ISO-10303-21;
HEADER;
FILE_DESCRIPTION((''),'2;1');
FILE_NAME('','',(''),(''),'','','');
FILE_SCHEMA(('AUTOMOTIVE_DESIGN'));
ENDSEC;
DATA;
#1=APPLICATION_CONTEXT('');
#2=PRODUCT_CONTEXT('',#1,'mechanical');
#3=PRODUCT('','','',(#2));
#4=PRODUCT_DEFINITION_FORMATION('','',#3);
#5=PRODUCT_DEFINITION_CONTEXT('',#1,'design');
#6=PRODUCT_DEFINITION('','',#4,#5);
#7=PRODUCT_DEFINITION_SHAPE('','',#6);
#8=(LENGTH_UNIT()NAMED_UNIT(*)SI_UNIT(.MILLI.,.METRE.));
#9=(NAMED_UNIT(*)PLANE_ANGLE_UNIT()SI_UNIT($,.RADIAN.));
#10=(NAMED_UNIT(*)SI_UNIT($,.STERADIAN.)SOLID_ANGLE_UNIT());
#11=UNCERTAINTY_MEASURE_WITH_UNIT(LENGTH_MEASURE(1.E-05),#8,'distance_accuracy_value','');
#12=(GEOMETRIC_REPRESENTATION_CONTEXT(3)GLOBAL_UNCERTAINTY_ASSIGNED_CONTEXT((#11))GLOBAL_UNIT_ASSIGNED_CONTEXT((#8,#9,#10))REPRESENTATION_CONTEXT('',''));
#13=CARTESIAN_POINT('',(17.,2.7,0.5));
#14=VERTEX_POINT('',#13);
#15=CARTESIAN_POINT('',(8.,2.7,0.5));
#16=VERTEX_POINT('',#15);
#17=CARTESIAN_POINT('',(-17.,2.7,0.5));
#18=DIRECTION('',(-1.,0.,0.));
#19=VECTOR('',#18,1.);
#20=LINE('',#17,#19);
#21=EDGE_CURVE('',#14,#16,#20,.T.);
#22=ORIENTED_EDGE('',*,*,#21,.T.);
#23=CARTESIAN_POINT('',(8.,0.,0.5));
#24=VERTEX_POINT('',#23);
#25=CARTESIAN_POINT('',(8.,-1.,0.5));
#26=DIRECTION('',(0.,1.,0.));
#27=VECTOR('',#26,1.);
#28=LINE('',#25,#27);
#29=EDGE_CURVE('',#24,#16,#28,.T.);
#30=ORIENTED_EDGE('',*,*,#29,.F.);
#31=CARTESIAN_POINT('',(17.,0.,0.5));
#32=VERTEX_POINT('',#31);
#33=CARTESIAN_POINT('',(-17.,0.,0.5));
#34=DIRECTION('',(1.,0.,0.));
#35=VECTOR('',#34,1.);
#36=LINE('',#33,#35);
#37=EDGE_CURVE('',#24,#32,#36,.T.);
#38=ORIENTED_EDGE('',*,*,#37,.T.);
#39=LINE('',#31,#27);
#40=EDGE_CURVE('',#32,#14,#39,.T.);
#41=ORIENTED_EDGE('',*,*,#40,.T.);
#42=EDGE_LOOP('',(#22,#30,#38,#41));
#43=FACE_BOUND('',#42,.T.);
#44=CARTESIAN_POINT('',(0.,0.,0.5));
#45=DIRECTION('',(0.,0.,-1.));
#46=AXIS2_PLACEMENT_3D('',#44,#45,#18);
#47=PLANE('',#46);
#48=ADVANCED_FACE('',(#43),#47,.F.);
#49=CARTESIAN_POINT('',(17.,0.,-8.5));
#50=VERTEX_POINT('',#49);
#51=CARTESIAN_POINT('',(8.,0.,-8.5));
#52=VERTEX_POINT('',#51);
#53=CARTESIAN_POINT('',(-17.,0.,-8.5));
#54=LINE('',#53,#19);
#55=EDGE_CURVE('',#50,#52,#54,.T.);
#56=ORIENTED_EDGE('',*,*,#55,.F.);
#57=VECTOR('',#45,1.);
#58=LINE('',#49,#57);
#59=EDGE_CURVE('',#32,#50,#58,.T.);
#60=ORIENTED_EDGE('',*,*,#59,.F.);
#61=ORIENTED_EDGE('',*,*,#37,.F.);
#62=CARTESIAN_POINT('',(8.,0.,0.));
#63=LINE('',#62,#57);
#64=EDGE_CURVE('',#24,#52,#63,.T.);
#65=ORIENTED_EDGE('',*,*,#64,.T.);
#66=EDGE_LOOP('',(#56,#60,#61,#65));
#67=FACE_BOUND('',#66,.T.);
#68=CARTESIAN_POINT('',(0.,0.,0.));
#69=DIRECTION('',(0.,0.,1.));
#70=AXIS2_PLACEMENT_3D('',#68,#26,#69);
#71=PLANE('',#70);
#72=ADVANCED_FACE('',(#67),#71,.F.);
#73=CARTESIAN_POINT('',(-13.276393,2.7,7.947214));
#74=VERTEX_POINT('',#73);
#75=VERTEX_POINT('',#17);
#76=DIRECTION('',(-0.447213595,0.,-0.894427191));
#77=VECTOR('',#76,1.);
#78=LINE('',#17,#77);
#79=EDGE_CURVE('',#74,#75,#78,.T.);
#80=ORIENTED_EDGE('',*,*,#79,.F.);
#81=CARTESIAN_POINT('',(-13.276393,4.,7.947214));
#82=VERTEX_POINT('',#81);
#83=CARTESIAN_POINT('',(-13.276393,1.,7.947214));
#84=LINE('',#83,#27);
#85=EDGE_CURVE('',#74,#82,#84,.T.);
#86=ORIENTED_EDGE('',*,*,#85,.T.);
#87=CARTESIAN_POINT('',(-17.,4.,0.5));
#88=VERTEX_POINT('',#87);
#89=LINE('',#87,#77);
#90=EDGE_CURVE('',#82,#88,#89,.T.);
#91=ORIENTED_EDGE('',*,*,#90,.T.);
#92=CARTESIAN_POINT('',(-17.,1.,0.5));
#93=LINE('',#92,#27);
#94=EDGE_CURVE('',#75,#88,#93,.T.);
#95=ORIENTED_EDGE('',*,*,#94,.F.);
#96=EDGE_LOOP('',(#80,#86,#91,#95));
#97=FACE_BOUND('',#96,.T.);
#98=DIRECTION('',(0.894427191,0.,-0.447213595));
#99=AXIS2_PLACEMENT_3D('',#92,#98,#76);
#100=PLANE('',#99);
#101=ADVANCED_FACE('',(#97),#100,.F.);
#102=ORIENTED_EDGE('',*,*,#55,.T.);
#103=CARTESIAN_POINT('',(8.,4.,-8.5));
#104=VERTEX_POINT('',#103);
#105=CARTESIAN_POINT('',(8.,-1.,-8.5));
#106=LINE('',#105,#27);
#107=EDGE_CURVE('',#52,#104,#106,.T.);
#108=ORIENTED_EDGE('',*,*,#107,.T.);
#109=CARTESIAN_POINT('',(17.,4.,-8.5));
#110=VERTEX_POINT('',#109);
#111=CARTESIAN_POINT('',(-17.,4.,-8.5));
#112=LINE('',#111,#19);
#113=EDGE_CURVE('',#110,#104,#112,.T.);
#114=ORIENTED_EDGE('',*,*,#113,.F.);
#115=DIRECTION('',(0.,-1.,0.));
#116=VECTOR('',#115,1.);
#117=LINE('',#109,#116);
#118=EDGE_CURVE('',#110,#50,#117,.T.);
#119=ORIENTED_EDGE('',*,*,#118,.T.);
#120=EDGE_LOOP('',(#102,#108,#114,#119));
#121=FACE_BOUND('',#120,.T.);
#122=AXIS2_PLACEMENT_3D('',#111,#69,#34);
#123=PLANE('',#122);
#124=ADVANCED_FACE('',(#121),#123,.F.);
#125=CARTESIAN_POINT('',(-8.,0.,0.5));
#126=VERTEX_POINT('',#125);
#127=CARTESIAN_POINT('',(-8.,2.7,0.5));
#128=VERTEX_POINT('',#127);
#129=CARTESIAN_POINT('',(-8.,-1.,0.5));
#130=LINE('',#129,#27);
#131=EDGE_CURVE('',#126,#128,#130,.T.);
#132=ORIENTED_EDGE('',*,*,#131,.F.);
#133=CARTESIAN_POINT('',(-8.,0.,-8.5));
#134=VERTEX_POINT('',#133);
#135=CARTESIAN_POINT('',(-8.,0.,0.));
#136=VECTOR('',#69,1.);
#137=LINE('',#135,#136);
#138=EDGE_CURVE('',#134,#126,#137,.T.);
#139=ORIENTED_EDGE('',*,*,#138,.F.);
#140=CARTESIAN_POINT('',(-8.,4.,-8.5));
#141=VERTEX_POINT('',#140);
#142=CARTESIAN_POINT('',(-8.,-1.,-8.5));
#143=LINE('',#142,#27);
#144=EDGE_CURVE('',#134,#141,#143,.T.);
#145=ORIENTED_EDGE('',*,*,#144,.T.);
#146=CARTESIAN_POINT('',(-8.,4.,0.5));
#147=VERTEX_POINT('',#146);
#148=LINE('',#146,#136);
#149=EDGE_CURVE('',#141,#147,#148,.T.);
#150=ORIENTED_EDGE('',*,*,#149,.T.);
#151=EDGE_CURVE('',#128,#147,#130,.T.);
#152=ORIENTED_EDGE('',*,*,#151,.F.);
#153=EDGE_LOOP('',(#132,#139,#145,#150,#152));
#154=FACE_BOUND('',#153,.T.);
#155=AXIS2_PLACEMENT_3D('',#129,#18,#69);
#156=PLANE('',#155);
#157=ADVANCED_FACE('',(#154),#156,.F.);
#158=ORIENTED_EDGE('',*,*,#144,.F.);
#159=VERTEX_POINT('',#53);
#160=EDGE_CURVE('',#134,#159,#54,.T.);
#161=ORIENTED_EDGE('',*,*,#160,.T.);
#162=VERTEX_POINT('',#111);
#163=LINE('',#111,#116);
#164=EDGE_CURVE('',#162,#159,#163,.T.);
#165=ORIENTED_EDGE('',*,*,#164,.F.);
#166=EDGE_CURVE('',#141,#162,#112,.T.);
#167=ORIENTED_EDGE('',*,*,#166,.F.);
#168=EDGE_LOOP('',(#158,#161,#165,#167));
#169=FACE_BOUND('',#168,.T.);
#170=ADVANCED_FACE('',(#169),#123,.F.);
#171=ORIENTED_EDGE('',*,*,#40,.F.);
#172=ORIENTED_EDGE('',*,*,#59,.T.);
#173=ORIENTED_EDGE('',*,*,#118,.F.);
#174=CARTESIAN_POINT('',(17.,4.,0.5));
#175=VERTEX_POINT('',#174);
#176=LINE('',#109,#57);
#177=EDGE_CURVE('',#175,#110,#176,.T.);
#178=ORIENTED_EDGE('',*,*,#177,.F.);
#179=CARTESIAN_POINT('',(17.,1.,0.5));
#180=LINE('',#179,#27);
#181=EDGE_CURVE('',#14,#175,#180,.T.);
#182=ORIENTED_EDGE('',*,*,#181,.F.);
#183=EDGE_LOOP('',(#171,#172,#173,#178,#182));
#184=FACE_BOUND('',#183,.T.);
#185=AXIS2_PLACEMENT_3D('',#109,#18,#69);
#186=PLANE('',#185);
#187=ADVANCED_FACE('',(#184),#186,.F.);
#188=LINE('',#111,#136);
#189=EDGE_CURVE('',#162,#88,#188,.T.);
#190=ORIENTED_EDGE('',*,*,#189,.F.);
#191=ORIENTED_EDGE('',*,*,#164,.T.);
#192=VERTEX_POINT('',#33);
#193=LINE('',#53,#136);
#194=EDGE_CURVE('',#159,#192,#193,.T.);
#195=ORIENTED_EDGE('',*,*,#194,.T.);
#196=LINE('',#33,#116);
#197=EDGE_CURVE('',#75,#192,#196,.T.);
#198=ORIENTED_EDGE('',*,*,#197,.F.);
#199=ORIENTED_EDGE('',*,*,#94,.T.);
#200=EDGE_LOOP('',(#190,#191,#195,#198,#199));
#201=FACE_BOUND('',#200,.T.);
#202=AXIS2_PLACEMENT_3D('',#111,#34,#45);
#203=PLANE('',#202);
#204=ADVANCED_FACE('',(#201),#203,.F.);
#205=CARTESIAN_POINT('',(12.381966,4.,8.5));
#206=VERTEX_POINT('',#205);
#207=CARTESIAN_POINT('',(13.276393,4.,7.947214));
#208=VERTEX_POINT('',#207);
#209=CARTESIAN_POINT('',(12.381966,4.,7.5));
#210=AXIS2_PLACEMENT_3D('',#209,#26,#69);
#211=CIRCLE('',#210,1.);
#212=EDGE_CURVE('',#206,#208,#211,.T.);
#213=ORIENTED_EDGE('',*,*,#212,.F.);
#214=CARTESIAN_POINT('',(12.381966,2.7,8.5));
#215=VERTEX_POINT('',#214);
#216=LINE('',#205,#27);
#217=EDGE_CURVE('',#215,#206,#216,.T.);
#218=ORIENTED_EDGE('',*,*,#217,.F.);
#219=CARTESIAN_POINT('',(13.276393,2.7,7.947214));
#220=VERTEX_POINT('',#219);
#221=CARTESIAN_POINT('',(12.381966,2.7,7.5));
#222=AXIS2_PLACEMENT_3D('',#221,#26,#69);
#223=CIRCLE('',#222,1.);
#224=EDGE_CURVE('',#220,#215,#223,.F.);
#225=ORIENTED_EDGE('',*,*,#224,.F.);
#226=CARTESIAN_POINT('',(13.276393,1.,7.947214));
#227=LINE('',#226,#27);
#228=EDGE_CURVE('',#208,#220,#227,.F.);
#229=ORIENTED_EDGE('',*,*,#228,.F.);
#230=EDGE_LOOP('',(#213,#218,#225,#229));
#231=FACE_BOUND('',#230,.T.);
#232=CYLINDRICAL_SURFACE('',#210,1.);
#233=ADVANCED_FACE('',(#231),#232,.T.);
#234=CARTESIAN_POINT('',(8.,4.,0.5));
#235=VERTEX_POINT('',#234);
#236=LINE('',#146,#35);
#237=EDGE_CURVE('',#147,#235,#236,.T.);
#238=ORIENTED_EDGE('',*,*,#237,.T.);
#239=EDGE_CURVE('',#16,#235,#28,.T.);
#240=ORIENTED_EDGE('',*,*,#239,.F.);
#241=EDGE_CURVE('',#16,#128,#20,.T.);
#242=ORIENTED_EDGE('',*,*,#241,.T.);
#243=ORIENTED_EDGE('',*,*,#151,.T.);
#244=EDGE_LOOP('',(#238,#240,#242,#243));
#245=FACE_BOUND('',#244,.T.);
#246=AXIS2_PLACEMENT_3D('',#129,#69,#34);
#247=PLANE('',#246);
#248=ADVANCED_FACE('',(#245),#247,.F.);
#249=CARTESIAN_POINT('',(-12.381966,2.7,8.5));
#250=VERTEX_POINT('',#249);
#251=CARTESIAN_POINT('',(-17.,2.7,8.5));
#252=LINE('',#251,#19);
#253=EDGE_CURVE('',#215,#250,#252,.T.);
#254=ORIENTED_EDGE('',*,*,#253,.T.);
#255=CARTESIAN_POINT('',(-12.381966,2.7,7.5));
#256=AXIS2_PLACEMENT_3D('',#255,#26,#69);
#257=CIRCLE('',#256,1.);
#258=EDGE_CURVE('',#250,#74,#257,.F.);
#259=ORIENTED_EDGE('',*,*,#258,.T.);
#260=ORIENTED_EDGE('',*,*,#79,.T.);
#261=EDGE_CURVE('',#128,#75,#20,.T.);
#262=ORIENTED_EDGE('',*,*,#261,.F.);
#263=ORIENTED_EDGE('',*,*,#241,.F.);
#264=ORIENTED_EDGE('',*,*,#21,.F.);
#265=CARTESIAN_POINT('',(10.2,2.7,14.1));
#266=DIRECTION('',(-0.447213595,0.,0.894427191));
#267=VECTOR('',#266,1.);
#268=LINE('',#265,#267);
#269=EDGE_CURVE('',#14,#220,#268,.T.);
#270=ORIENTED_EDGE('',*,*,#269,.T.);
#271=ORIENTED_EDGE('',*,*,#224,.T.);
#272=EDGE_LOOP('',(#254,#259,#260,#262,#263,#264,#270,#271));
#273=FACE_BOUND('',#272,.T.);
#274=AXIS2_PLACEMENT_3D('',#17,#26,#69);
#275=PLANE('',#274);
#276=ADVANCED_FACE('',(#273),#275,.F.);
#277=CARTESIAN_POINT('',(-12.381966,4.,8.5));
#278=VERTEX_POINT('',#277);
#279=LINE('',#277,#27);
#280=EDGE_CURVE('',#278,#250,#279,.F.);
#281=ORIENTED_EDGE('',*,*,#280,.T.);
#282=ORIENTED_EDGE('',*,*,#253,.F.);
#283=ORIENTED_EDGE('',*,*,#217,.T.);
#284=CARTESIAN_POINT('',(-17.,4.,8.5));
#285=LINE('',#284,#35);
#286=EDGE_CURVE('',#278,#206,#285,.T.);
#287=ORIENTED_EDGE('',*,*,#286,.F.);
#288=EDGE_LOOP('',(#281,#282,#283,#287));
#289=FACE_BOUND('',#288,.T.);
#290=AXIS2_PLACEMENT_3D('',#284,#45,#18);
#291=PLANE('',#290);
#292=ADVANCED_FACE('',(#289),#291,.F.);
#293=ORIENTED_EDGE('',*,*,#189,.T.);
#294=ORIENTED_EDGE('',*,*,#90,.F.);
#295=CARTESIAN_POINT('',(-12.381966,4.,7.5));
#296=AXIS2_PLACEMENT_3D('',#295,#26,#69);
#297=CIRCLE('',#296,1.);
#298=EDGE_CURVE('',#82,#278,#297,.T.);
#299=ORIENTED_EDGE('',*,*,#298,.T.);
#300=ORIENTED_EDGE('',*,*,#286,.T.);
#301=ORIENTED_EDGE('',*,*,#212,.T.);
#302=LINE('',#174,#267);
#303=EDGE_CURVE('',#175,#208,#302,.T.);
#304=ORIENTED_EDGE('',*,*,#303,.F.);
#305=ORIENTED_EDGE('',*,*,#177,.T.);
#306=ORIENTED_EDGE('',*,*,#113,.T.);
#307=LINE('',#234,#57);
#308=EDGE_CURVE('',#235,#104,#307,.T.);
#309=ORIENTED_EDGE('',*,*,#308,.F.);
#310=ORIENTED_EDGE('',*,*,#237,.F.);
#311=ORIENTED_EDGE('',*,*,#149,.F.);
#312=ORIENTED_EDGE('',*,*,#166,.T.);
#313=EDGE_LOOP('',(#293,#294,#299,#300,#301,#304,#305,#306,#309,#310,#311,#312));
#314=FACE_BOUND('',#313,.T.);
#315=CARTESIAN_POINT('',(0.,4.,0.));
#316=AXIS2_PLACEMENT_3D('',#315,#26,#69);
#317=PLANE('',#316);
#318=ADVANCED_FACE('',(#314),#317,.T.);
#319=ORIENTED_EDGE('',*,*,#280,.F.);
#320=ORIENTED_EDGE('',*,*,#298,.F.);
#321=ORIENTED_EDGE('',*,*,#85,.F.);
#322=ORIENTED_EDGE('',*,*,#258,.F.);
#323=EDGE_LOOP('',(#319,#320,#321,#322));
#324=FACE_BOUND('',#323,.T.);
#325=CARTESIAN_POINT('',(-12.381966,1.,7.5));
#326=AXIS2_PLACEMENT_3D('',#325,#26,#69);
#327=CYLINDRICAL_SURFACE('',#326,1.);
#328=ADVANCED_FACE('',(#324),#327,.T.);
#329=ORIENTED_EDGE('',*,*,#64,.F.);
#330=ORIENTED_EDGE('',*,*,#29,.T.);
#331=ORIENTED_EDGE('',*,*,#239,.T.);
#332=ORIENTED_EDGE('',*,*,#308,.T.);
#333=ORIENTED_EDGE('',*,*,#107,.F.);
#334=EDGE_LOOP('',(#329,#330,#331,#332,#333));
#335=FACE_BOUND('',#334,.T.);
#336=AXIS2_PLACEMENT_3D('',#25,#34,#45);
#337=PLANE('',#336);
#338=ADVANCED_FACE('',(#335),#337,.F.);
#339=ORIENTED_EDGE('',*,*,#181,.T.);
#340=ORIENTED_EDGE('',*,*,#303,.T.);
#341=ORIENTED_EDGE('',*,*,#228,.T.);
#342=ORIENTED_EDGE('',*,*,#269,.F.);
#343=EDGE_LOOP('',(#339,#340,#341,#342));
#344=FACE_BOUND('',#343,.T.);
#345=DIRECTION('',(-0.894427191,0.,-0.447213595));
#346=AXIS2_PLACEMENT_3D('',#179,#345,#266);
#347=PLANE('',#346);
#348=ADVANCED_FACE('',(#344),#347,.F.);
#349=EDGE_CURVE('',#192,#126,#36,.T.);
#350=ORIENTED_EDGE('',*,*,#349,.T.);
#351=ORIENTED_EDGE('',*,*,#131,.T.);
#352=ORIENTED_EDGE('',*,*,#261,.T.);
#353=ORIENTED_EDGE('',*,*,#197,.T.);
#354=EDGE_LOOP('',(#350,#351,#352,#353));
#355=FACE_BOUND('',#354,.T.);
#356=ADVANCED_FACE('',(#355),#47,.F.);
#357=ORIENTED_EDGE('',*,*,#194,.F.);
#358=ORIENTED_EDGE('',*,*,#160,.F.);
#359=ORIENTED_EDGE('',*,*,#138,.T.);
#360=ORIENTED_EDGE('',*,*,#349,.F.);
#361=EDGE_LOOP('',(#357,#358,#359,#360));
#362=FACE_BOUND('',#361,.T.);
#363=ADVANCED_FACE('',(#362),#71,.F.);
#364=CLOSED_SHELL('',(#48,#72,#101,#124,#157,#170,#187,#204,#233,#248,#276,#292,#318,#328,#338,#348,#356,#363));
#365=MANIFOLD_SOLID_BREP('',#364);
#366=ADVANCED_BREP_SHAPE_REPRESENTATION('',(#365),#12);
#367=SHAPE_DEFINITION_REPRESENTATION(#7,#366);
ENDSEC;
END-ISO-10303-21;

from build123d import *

# Parameters (mm, degrees)
CROQUIS1_W              = 34
CROQUIS1_H              = 17
SALIENTE_EXTRUIR1_DEPTH = 4
CROQUIS2_W              = 16
CROQUIS2_H              = 9
CORTAR_EXTRUIR1_DEPTH   = 5
CROQUIS3_W              = 34
CROQUIS3_H              = 2.7
CORTAR_EXTRUIR2_DEPTH   = 8
CORTAR_EXTRUIR3_DEPTH   = 3
REDONDEO3_R             = 1
REDONDEO4_R             = 1


with BuildPart() as part:
    # Croquis1 → Saliente-Extruir1 (new body)
    with BuildSketch(Plane(origin=(0, 0, 0), x_dir=(1, 0, 0), z_dir=(0, 1, 0))):
        Rectangle(CROQUIS1_W, CROQUIS1_H)
    extrude(amount=SALIENTE_EXTRUIR1_DEPTH)

    # Croquis2 → Cortar-Extruir1 (cut)
    with BuildSketch(Plane(origin=(0, 4, 0), x_dir=(1, 0, 0), z_dir=(0, 1, 0))):
        with Locations((0, 4)):
            Rectangle(CROQUIS2_W, CROQUIS2_H)
    extrude(amount=-CORTAR_EXTRUIR1_DEPTH, mode=Mode.SUBTRACT)

    # Croquis3 → Cortar-Extruir2 (cut)
    with BuildSketch(Plane.XY.offset(8.5)):
        with Locations((0, 1.35)):
            Rectangle(CROQUIS3_W, CROQUIS3_H)
    extrude(amount=-CORTAR_EXTRUIR2_DEPTH, mode=Mode.SUBTRACT)

    # Croquis4 → Cortar-Extruir3 (cut)
    with BuildSketch(Plane(origin=(0, 4, 0), x_dir=(1, 0, 0), z_dir=(0, 1, 0))):
        Polygon((-17, -0.5), (-13, -8.5), (-17, -8.5), align=None)
        Polygon((13, -8.5), (17, -8.5), (17, -0.5), align=None)
    extrude(amount=-CORTAR_EXTRUIR3_DEPTH, mode=Mode.SUBTRACT)

    # Redondeo3
    redondeo3_edges = [part.edges().sort_by_distance(p)[0] for p in [
        (-13, 3.35, 8.5),
    ]]
    fillet(redondeo3_edges, radius=REDONDEO3_R)

    # Redondeo4
    redondeo4_edges = [part.edges().sort_by_distance(p)[0] for p in [
        (13, 3.35, 8.5),
    ]]
    fillet(redondeo4_edges, radius=REDONDEO4_R)


solid = part.part
